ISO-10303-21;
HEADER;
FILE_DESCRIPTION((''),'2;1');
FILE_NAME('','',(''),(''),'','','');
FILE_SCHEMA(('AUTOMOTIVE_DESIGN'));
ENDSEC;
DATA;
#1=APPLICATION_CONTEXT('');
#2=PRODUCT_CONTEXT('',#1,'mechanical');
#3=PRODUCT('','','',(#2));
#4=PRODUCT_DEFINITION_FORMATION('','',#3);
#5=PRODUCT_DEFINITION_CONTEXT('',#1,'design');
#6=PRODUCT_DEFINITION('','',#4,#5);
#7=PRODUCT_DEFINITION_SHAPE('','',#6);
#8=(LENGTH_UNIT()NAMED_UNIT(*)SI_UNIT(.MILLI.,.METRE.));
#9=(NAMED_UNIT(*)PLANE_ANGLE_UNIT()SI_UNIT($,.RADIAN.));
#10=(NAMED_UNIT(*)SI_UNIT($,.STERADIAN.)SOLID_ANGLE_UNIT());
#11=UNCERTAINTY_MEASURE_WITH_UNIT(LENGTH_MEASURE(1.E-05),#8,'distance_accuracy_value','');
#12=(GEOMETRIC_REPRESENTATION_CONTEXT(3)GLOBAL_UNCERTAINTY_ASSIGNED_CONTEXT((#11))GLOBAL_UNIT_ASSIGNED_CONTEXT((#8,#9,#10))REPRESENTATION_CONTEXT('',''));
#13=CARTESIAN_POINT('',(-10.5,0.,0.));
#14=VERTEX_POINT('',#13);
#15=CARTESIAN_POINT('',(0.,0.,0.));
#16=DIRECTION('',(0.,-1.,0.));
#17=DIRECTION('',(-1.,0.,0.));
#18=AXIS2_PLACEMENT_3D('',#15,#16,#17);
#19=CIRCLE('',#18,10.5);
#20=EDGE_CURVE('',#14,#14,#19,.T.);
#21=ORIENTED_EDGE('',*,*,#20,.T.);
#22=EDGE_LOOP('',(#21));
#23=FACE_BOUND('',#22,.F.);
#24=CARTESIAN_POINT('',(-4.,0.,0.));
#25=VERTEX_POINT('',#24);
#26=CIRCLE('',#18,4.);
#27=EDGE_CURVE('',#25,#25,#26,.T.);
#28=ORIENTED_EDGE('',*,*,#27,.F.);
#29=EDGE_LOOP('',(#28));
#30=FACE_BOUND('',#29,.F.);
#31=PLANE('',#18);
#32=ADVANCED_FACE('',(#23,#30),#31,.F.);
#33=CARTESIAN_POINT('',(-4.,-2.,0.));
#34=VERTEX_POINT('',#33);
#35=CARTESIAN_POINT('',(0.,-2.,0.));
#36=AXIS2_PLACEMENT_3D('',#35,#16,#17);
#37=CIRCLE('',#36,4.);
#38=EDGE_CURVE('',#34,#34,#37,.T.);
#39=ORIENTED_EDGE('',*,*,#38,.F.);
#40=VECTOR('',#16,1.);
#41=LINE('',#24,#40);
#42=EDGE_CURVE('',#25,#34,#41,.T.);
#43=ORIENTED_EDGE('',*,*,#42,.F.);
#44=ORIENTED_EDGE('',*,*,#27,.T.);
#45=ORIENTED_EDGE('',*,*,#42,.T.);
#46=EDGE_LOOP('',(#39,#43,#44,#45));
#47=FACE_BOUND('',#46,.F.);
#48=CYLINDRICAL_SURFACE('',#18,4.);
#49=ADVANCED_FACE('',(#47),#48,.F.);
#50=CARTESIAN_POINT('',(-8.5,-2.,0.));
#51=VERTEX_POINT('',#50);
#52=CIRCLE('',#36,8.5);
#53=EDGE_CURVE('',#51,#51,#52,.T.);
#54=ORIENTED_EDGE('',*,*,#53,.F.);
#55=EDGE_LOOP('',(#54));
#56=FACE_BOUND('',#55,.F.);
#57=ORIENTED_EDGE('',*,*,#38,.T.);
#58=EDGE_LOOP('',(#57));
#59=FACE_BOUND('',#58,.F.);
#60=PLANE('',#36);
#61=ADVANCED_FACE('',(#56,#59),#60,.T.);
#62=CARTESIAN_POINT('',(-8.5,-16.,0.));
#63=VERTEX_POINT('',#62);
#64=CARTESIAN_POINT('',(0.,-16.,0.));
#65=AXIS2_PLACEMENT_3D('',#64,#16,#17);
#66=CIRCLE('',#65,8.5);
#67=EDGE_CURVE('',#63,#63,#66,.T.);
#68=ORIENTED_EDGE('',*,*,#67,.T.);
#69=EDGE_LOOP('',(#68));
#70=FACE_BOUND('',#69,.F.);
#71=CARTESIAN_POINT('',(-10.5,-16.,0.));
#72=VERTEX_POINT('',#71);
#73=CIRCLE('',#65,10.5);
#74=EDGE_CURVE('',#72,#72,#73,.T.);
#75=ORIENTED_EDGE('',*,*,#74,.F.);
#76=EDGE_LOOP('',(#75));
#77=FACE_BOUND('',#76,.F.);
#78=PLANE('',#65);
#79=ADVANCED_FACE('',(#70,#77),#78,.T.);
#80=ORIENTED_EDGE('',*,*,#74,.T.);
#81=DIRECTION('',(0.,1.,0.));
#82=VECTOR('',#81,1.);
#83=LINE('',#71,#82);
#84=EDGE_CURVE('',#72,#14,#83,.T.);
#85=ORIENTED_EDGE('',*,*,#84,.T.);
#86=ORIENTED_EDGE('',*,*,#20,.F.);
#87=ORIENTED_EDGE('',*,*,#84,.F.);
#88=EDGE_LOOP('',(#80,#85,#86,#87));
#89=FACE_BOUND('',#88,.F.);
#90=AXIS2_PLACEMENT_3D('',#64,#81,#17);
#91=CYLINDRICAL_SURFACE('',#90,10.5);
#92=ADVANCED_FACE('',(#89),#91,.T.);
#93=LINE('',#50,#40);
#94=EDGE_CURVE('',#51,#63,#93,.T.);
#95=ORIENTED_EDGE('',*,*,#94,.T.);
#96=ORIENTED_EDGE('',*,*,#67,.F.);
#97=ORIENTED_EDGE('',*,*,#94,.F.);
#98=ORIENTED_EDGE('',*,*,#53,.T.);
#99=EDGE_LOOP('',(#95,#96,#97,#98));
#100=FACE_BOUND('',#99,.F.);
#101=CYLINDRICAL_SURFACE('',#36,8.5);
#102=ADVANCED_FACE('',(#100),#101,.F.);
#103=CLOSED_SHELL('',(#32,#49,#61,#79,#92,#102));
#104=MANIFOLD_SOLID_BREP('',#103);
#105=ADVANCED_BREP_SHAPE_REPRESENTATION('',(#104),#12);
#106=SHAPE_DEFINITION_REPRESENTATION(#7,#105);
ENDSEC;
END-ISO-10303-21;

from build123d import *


with BuildPart() as part:
    # Esquisse1 → Révolution1 (revolve)
    with BuildSketch(Plane.XY):
        Polygon((-10.5, 0), (-4, 0), (-4, -2), (-8.5, -2), (-8.5, -16), (-10.5, -16), align=None)
    revolve(axis=Axis((0, 0, 0), (0, -1, 0)))


solid = part.part
